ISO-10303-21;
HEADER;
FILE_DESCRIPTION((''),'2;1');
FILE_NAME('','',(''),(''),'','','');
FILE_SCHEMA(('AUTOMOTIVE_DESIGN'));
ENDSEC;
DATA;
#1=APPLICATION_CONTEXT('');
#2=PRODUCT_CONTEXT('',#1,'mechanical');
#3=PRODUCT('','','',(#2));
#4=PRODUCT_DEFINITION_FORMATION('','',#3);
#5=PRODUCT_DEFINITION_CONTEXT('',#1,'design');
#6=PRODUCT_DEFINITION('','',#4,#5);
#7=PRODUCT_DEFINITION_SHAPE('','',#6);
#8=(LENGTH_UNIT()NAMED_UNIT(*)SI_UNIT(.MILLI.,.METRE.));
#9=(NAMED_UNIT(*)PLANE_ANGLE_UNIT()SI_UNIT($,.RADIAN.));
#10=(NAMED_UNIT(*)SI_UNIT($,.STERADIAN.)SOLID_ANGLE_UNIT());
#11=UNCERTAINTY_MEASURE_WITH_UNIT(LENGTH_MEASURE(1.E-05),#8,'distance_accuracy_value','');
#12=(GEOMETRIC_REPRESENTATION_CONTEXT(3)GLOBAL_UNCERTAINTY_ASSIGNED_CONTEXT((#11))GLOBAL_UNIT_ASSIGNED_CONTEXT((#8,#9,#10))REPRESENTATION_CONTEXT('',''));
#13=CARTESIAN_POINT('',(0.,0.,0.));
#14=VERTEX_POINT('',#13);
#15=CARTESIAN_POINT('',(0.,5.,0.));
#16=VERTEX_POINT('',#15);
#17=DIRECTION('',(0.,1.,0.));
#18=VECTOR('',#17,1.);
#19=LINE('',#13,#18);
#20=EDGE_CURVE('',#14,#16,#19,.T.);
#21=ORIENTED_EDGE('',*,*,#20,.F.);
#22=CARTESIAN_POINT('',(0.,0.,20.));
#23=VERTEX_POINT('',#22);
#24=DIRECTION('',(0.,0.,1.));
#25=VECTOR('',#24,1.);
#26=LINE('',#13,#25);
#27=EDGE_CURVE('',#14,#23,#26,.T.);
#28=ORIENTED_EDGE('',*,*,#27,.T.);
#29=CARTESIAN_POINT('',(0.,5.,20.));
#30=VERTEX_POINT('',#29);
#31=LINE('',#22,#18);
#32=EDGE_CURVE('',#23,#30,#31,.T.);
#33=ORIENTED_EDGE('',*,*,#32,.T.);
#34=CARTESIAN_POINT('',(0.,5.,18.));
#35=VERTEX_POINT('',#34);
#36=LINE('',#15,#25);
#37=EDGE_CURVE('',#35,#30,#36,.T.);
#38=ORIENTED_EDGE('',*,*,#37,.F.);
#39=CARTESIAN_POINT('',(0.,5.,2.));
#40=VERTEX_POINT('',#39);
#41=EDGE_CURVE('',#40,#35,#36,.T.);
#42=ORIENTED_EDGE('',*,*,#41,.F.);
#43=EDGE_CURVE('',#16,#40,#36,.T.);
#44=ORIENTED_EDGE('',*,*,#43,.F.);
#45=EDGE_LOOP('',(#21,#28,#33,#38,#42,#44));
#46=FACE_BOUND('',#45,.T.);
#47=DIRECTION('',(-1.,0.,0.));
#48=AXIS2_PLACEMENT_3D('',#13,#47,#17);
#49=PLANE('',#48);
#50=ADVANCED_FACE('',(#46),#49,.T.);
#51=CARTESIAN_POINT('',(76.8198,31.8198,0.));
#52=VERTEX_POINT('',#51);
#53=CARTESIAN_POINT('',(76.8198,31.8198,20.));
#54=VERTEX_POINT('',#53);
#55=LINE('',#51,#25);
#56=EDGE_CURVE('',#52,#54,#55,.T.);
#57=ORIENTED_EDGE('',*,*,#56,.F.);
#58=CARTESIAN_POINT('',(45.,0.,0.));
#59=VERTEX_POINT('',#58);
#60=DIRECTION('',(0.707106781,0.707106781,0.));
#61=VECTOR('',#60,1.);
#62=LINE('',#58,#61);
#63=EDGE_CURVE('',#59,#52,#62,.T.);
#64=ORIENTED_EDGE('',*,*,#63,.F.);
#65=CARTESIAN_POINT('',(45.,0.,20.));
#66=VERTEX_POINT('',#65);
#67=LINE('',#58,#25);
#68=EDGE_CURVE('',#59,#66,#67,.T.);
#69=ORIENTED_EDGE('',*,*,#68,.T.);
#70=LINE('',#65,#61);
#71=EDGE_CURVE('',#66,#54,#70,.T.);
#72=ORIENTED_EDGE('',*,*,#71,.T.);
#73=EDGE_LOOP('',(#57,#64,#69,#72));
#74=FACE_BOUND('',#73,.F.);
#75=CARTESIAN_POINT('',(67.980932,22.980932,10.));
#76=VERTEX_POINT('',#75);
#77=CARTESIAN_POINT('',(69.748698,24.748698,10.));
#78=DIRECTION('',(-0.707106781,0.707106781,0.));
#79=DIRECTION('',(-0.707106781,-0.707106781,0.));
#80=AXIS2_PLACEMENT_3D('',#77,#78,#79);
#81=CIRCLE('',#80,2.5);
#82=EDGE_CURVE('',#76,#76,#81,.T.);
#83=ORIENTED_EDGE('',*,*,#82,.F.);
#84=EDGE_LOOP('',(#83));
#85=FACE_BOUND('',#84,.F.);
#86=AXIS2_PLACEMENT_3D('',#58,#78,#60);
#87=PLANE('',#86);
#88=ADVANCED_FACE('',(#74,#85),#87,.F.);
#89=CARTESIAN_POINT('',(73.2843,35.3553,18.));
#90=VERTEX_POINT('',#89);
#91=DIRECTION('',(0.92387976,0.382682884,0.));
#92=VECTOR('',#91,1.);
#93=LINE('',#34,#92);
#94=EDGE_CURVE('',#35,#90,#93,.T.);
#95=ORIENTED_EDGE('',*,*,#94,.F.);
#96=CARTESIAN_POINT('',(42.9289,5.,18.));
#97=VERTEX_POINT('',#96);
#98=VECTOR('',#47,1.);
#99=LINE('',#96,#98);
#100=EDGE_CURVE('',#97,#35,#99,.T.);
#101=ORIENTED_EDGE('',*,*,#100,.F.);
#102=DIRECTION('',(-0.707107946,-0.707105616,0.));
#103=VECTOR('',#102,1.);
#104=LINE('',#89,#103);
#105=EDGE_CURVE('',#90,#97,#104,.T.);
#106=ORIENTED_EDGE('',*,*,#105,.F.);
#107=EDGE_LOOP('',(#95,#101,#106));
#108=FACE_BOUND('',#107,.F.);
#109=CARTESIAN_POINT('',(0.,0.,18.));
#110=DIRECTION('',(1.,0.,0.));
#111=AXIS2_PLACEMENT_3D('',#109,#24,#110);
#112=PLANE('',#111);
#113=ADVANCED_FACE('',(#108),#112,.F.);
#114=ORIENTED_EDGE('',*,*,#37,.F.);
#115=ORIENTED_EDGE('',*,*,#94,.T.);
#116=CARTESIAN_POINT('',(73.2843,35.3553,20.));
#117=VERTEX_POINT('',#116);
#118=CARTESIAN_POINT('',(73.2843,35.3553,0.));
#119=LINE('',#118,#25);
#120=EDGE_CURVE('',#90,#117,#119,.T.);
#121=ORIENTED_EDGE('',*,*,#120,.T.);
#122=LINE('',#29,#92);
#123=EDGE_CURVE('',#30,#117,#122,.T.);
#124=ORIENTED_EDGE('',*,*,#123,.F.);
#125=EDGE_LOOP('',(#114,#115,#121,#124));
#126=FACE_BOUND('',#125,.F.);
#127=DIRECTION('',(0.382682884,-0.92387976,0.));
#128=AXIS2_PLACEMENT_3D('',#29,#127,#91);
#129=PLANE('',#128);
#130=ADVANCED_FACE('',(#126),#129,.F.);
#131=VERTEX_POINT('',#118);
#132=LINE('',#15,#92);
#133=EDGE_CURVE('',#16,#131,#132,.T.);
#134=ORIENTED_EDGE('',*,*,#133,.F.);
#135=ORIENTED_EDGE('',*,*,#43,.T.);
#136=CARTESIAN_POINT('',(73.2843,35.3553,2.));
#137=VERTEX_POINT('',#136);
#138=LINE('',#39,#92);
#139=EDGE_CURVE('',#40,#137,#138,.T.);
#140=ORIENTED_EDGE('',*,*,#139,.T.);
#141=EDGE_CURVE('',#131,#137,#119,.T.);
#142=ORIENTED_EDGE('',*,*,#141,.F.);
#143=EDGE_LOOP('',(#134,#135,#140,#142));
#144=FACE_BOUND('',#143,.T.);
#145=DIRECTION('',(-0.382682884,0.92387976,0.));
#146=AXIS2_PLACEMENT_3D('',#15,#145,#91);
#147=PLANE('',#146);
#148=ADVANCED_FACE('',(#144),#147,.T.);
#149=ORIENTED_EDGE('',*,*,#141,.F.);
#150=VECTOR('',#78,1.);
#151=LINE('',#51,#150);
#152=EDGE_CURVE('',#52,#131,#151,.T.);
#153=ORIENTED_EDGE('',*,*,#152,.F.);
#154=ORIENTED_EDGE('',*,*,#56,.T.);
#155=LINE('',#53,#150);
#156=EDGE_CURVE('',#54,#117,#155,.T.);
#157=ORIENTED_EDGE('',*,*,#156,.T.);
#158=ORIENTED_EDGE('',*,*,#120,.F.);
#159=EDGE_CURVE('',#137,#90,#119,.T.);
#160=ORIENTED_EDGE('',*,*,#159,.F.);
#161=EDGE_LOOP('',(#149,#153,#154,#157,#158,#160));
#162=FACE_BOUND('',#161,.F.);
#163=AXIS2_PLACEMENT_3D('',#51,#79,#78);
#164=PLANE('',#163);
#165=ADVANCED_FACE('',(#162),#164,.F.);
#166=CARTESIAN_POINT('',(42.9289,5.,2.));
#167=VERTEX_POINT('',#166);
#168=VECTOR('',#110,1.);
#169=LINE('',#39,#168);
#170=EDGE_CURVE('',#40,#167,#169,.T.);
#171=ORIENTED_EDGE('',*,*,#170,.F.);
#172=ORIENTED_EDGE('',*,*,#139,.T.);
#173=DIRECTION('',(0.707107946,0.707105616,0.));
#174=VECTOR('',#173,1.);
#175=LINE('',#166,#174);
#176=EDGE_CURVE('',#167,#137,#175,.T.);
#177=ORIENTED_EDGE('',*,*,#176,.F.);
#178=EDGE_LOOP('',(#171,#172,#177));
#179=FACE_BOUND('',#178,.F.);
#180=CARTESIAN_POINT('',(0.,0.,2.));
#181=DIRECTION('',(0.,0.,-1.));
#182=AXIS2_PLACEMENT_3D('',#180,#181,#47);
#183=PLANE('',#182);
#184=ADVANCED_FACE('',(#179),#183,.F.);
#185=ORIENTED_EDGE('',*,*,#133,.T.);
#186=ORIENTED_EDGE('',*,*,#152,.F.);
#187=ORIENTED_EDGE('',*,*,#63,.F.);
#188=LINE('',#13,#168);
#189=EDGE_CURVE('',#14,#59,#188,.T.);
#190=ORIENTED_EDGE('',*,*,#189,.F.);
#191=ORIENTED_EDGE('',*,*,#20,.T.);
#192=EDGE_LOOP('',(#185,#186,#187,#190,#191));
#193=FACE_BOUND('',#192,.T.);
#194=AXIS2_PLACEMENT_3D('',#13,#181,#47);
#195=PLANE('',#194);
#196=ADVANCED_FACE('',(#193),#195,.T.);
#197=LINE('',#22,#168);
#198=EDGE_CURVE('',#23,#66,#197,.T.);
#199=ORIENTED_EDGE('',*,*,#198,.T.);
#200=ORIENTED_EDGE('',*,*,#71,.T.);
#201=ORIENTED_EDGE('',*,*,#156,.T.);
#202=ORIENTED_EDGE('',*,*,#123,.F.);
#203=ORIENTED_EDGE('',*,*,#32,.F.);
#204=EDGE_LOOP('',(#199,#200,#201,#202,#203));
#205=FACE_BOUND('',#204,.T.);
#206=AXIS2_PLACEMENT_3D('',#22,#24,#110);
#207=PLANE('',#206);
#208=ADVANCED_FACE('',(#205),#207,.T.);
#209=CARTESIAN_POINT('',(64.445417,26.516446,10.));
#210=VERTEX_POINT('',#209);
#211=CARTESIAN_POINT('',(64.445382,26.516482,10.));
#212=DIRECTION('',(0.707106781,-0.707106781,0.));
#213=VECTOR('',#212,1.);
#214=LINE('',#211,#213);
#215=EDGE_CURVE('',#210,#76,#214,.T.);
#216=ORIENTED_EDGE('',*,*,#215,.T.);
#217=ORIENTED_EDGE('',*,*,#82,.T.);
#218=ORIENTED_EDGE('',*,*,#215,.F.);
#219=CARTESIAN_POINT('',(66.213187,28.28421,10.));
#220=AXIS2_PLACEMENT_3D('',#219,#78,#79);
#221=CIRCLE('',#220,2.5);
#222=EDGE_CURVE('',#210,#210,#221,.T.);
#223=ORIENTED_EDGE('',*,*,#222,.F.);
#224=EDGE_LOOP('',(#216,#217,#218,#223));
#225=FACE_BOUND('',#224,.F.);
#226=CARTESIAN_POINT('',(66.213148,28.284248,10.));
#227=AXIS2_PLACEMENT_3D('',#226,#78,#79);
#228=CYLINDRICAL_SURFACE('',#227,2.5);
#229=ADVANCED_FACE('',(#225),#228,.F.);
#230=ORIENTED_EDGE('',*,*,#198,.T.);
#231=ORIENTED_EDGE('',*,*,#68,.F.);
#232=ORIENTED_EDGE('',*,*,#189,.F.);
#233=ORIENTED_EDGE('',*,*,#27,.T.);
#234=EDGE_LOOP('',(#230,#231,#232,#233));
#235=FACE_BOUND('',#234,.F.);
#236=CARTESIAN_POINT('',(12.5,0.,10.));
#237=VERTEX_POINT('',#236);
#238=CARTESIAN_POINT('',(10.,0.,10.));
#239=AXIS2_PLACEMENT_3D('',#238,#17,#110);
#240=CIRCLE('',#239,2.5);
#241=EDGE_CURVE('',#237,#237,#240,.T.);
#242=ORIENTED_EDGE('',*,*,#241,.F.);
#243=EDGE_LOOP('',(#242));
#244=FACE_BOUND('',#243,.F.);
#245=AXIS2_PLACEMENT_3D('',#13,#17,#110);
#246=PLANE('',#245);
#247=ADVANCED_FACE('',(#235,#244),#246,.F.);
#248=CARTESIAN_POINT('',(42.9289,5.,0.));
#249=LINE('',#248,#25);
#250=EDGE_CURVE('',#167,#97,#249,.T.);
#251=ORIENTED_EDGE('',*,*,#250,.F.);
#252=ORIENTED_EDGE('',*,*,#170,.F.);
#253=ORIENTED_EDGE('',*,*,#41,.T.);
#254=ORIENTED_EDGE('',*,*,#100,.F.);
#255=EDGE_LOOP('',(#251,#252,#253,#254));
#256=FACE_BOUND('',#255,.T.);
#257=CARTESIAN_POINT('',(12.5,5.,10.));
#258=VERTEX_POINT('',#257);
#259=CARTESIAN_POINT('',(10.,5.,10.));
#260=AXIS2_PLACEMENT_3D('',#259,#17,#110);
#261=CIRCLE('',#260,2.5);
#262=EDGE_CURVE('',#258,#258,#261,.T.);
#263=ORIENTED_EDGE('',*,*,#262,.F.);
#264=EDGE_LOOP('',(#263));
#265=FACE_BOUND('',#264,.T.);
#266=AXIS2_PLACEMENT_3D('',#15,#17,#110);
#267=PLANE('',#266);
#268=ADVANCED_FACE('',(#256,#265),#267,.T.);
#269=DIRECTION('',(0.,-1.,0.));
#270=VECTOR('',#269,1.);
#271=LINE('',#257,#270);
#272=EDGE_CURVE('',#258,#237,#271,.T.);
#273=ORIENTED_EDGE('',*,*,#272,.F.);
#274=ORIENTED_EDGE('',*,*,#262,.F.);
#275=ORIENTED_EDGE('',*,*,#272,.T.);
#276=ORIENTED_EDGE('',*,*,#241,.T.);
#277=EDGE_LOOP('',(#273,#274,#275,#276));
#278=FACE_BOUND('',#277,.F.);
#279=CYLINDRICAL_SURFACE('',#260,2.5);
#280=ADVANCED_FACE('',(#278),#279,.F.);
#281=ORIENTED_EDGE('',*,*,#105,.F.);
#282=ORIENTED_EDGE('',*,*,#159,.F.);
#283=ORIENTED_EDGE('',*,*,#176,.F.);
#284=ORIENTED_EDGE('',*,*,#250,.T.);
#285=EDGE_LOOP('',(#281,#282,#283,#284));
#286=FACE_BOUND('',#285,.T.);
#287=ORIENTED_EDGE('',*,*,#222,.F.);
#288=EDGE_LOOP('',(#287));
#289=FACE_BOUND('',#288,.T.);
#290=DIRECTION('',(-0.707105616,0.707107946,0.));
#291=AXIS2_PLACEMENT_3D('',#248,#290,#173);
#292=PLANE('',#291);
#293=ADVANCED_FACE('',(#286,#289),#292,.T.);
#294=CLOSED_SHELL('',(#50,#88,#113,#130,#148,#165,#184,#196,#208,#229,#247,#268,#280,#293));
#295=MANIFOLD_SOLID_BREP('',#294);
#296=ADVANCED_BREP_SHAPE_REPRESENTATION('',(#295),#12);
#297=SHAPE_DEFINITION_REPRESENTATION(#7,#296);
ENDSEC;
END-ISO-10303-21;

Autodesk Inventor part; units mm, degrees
ref_plane "YZ Plane" through (0, 0, 0) normal (1, 0, 0) x (0, 1, 0)
ref_plane "XZ Plane" through (0, 0, 0) normal (0, 1, 0) x (-1, 0, 0)
ref_plane "XY Plane" through (0, 0, 0) normal (0, 0, 1) x (1, 0, 0)
sketch "Sketch6" plane through (0, 0, 0) normal (0, 0, 1) x (1, 0, 0)
  line L0 (0, 0) -> (45, 0)
  line L1 (45, 0) -> (76.8198, 31.8198)
  line L2 (76.8198, 31.8198) -> (73.2843, 35.3553)
  line L3 (0, 0) -> (0, 5)
  line L4 (0, 5) -> (42.9289, 5)
  line L5 (42.9289, 5) -> (73.2843, 35.3553)
  dimension "d19" = 45
  dimension "d20" = 45
  dimension "d21" = 135
  dimension "d22" = 5
  dimension "d23" = 5
extrude "Extrusion6" add sketch "Sketch6" along normal blind 20
sketch "Sketch7" plane through (0, 0, 20) normal (0, 0, 1) x (1, 0, 0)
  line L0 (42.9289, 5) -> (0, 5) projected
  line L1 (76.8198, 31.8198) -> (73.2843, 35.3553) projected
  line L2 (0, 5) -> (73.2843, 35.3553)
  line L3 (73.2843, 35.3553) -> (42.9289, 5) projected
  point P0 (0, 0)
extrude "Extrusion7" add sketch "Sketch7" against normal blind 2
sketch "Sketch8" plane through (0, 0, 0) normal (0, 0, -1) x (-1, 0, 0)
  line L0 (0, 5) -> (-42.9289, 5) projected
  line L1 (0, 5) -> (-73.2843, 35.3553) projected
  line L2 (-42.9289, 5) -> (-73.2843, 35.3553) projected
  point P0 (0, 0)
extrude "Extrusion8" add sketch "Sketch8" against normal blind 2
sketch "Sketch9" plane through (0, 5, 18) normal (0, 1, 0) x (1, 0, 0)
  circle A0 centre (10, 8) radius 2.5
  line L0 (0, 16) -> (0, 0) projected
  point P0 (0, 18)
  point P1 (0, 8)
  dimension "d30" = 5
  dimension "d31" = 10
extrude "Extrusion9" cut sketch "Sketch9" against normal through all
sketch "Sketch10" plane through (42.9289, 5, 2) normal (-0.7071, 0.7071, 0) x (-0.7071, -0.7071, 0)
  circle A0 centre (-32.9289, 8) radius 2.5
  line L0 (-42.9289, 0) -> (-42.9289, 16) projected
  point P0 (33.8909, -2)
  point P1 (-42.9289, 8)
  dimension "d34" = 5
  dimension "d35" = 10
extrude "Extrusion10" cut sketch "Sketch10" against normal through all
properties part number "L Bracket Small"
